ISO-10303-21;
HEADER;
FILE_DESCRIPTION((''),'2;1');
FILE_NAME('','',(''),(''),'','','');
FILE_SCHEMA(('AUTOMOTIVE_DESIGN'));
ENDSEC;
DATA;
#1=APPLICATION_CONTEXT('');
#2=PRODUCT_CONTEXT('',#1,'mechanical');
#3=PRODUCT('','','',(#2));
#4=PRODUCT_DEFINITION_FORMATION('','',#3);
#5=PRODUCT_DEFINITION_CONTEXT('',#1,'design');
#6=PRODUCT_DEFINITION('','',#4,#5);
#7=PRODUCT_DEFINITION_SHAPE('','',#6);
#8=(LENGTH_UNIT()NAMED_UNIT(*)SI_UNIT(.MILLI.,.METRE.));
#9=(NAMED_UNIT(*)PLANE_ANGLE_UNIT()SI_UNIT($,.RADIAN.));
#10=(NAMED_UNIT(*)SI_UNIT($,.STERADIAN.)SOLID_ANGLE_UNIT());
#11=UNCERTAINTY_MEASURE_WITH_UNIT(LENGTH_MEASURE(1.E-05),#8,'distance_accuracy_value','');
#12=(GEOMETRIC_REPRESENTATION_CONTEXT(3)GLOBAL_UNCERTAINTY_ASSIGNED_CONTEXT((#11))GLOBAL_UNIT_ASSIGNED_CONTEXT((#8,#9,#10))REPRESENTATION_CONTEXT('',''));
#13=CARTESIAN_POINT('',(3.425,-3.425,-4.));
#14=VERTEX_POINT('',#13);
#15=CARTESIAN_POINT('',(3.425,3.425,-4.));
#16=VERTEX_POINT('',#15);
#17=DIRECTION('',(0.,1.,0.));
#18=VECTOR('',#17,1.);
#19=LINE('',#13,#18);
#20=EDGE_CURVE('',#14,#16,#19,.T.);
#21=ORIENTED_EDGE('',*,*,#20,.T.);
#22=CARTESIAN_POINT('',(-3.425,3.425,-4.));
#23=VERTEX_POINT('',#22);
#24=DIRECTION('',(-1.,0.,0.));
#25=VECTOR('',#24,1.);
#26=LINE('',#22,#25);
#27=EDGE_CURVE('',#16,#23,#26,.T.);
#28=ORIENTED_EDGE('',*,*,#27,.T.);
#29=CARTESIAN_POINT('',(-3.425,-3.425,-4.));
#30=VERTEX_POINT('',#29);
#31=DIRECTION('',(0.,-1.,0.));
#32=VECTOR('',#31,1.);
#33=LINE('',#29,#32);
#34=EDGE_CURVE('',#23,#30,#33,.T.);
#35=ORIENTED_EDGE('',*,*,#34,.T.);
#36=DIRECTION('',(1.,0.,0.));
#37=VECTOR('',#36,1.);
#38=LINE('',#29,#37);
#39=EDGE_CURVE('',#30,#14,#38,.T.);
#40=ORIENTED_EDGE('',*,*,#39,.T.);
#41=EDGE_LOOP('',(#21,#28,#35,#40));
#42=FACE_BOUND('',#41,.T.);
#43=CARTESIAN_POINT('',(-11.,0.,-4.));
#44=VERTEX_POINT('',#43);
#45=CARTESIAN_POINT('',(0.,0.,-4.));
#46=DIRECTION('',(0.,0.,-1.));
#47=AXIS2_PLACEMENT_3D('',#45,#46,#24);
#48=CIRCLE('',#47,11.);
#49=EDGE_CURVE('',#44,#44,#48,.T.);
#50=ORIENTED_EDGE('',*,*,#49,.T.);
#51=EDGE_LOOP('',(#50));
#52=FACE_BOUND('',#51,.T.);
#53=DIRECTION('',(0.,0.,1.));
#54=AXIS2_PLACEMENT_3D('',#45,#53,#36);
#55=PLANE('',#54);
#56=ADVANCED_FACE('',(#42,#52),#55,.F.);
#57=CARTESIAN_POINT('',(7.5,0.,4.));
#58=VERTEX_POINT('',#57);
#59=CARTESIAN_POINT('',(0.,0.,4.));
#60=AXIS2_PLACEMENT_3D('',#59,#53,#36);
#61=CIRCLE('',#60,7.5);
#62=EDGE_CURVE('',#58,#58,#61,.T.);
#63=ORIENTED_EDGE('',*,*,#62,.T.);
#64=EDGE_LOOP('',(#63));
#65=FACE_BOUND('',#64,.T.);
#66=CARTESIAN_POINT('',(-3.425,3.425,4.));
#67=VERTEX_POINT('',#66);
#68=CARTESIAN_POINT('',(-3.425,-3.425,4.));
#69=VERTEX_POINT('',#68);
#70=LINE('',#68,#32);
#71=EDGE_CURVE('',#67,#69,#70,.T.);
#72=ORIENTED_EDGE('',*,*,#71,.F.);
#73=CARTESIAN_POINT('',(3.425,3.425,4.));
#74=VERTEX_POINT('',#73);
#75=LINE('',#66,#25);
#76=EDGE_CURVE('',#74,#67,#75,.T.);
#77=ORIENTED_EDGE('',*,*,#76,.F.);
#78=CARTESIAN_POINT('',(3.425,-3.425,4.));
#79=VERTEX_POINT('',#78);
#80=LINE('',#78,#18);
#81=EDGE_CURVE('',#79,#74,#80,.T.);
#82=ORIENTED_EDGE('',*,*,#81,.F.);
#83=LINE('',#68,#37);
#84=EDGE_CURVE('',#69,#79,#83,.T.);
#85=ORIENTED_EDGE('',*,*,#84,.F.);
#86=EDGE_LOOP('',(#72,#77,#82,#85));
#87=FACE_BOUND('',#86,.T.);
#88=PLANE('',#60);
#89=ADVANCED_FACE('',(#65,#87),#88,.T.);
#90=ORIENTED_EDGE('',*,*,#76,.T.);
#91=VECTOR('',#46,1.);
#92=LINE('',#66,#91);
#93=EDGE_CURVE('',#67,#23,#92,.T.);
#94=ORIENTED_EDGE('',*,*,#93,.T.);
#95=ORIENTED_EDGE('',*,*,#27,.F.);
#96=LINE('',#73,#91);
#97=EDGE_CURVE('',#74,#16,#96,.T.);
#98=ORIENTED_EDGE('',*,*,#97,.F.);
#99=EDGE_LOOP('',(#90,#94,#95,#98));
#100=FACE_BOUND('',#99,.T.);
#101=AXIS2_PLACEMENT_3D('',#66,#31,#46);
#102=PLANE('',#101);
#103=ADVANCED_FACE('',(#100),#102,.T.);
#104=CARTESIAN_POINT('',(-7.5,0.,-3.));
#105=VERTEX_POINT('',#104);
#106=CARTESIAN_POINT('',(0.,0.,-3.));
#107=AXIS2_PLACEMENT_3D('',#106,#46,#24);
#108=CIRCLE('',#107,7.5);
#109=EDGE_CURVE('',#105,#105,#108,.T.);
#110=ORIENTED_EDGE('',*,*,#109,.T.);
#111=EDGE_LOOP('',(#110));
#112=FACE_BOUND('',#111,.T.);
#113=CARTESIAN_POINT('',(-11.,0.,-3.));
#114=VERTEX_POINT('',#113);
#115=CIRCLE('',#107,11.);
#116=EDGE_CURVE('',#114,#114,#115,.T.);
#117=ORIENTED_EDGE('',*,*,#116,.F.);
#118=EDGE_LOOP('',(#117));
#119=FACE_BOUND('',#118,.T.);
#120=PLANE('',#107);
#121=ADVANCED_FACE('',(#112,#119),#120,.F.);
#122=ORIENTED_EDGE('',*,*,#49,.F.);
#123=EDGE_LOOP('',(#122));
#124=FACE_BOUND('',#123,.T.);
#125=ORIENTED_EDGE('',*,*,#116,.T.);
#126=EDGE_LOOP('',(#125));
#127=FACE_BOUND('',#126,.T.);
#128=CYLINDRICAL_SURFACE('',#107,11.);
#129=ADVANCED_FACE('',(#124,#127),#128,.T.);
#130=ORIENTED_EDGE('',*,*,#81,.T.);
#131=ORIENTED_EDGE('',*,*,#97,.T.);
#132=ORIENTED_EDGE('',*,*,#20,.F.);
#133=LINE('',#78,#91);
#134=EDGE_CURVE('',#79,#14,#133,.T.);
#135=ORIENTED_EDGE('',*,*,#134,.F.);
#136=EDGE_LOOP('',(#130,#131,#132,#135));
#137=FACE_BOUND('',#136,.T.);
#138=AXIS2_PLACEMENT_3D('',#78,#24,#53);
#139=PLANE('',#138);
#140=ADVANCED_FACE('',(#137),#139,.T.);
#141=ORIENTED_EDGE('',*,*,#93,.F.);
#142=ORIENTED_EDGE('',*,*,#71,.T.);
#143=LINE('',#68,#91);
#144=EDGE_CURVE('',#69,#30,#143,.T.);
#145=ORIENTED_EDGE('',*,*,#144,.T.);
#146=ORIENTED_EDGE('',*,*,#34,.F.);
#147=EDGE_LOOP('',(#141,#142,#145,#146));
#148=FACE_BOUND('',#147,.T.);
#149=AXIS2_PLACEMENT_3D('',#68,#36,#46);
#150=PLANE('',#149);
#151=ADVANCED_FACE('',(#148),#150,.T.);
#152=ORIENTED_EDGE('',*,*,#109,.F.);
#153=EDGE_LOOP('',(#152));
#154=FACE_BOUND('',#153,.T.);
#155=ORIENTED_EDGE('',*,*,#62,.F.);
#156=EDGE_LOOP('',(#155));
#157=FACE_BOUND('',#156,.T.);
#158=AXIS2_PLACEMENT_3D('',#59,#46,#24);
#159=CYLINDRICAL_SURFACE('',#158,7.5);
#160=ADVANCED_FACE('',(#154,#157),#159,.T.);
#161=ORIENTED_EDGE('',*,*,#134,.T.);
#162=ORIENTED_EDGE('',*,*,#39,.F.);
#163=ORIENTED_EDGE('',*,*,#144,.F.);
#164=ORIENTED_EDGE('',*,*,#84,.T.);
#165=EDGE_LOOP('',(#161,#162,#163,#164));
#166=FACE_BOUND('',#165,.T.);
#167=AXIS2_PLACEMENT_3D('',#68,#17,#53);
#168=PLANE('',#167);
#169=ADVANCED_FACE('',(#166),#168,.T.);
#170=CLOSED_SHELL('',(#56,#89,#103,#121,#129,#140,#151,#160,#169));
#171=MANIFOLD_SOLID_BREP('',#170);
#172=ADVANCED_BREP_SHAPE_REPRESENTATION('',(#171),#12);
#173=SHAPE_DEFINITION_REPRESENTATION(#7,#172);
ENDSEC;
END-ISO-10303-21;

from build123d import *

# Parameters (mm, degrees)
SKETCH1_R           = 7.5
SKETCH1_W           = 6.85
SKETCH1_H           = 6.85
BOSS_EXTRUDE1_DEPTH = 4
BOSS_EXTRUDE2_START = -1
SKETCH2_R           = 11
SKETCH2_R_2         = 7.5
BOSS_EXTRUDE2_DEPTH = 1


with BuildPart() as part:
    # Sketch1 → Boss-Extrude1 (new, symmetric)
    with BuildSketch(Plane.XY):
        Circle(SKETCH1_R)
        Rectangle(SKETCH1_W, SKETCH1_H, mode=Mode.SUBTRACT)
    extrude(amount=BOSS_EXTRUDE1_DEPTH, both=True)

    # Sketch2 → Boss-Extrude2 (add)
    with BuildSketch(Plane(origin=(0, 0, -4), x_dir=(-1, 0, 0), z_dir=(0, 0, -1)).offset(BOSS_EXTRUDE2_START)):
        Circle(SKETCH2_R)
        Circle(SKETCH2_R_2, mode=Mode.SUBTRACT)
    extrude(amount=BOSS_EXTRUDE2_DEPTH)


solid = part.part
